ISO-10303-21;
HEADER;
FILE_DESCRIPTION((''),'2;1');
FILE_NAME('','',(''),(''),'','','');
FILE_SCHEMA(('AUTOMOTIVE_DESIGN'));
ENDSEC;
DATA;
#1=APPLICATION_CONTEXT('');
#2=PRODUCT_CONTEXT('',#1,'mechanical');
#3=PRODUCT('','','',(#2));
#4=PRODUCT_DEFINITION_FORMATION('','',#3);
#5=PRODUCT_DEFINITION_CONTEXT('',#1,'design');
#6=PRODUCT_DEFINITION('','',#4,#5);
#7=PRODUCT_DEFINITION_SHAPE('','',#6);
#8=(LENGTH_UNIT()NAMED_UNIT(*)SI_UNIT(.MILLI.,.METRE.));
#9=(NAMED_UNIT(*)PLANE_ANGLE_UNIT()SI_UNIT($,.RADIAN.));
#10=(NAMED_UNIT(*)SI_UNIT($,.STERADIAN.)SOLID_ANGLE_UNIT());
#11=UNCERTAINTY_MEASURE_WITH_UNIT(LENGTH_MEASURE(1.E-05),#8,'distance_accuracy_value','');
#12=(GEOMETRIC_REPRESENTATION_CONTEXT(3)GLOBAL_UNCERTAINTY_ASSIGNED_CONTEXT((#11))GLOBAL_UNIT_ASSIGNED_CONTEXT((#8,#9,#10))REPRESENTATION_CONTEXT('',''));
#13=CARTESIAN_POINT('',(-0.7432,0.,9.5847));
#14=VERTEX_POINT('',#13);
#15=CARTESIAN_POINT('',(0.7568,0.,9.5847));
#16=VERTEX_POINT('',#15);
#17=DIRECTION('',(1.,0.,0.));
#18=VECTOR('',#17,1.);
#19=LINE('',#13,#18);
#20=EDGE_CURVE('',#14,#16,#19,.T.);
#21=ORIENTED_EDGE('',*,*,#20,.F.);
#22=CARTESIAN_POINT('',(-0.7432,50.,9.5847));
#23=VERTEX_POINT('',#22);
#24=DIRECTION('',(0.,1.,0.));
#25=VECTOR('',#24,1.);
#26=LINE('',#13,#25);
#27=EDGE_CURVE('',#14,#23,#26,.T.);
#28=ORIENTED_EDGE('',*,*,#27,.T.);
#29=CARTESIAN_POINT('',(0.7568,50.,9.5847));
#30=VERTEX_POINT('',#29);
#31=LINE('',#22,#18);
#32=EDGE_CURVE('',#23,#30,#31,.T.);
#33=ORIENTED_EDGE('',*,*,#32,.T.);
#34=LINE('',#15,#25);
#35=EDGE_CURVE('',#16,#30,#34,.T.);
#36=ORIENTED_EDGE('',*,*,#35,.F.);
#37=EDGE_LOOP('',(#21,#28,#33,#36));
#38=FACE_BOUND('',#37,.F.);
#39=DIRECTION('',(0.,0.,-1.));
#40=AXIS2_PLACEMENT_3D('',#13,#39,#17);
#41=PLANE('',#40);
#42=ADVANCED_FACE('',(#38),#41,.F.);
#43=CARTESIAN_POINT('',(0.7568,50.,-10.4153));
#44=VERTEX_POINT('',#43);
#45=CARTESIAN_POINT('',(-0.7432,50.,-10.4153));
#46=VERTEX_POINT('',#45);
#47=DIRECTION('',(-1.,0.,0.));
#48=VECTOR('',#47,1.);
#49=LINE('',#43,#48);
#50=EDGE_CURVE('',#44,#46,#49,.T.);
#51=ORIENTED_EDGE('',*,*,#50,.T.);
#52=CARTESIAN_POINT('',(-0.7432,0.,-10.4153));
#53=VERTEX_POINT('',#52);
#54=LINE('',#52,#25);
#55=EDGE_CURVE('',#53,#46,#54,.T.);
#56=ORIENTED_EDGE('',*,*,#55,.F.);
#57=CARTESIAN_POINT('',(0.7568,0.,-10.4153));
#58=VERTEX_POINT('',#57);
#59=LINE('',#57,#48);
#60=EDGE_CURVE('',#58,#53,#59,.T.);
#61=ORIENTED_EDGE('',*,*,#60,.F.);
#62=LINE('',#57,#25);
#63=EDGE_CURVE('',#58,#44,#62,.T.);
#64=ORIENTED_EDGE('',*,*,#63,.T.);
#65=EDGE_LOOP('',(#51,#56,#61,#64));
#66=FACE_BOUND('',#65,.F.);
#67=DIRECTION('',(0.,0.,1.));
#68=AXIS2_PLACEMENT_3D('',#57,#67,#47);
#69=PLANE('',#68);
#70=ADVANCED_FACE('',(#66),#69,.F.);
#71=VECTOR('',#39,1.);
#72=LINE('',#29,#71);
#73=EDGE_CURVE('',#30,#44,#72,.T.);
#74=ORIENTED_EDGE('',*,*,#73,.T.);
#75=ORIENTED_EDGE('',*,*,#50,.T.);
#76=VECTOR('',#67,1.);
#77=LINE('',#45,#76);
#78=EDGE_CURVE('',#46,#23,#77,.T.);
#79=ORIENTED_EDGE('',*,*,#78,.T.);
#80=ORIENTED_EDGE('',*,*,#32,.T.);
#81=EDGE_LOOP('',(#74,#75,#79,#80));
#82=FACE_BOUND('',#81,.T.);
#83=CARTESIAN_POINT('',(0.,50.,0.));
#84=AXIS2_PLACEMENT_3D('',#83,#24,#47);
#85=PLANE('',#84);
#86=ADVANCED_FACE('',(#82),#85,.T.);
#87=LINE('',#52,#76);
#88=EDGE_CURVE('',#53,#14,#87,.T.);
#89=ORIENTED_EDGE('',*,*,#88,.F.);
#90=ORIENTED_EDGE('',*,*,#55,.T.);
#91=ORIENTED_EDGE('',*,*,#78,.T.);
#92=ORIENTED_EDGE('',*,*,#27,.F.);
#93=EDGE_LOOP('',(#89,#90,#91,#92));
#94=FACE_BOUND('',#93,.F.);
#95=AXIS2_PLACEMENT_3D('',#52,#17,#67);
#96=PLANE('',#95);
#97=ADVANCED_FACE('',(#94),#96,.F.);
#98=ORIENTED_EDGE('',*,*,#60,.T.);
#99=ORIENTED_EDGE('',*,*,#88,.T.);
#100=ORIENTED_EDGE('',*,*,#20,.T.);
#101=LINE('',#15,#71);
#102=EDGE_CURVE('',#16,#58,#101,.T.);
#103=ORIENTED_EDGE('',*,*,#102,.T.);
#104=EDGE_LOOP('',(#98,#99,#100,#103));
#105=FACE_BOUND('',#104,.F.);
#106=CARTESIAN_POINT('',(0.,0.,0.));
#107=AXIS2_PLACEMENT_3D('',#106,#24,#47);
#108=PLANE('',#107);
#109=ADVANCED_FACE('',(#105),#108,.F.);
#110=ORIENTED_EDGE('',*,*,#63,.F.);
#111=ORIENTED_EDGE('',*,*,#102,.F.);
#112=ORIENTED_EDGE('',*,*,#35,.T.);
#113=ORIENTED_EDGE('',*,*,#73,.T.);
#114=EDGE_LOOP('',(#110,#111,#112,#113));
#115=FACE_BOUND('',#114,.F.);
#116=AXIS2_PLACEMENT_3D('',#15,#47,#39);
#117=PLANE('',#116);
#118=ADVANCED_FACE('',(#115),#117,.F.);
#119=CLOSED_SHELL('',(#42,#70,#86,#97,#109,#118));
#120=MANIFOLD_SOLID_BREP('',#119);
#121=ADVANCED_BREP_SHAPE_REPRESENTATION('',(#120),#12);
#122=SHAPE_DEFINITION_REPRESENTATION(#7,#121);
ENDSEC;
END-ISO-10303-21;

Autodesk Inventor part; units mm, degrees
ref_plane "YZ Plane" through (0, 0, 0) normal (1, 0, 0) x (0, 1, 0)
ref_plane "XZ Plane" through (0, 0, 0) normal (0, 1, 0) x (-1, 0, 0)
ref_plane "XY Plane" through (0, 0, 0) normal (0, 0, 1) x (1, 0, 0)
sketch "Sketch1" plane through (0, 0, 0) normal (0, 1, 0) x (-1, 0, 0)
  line L0 (0.7432, 9.5847) -> (-0.7568, 9.5847)
  line L1 (-0.7568, 9.5847) -> (-0.7568, -10.4153)
  line L2 (-0.7568, -10.4153) -> (0.7432, -10.4153)
  line L3 (0.7432, -10.4153) -> (0.7432, 9.5847)
  point P0 (0, 0)
  dimension "d0" = 20
  dimension "d1" = 1.5
extrude "Extrusion1" add sketch "Sketch1" along normal blind 50
properties part number "Arcylic_Panel_Base"
